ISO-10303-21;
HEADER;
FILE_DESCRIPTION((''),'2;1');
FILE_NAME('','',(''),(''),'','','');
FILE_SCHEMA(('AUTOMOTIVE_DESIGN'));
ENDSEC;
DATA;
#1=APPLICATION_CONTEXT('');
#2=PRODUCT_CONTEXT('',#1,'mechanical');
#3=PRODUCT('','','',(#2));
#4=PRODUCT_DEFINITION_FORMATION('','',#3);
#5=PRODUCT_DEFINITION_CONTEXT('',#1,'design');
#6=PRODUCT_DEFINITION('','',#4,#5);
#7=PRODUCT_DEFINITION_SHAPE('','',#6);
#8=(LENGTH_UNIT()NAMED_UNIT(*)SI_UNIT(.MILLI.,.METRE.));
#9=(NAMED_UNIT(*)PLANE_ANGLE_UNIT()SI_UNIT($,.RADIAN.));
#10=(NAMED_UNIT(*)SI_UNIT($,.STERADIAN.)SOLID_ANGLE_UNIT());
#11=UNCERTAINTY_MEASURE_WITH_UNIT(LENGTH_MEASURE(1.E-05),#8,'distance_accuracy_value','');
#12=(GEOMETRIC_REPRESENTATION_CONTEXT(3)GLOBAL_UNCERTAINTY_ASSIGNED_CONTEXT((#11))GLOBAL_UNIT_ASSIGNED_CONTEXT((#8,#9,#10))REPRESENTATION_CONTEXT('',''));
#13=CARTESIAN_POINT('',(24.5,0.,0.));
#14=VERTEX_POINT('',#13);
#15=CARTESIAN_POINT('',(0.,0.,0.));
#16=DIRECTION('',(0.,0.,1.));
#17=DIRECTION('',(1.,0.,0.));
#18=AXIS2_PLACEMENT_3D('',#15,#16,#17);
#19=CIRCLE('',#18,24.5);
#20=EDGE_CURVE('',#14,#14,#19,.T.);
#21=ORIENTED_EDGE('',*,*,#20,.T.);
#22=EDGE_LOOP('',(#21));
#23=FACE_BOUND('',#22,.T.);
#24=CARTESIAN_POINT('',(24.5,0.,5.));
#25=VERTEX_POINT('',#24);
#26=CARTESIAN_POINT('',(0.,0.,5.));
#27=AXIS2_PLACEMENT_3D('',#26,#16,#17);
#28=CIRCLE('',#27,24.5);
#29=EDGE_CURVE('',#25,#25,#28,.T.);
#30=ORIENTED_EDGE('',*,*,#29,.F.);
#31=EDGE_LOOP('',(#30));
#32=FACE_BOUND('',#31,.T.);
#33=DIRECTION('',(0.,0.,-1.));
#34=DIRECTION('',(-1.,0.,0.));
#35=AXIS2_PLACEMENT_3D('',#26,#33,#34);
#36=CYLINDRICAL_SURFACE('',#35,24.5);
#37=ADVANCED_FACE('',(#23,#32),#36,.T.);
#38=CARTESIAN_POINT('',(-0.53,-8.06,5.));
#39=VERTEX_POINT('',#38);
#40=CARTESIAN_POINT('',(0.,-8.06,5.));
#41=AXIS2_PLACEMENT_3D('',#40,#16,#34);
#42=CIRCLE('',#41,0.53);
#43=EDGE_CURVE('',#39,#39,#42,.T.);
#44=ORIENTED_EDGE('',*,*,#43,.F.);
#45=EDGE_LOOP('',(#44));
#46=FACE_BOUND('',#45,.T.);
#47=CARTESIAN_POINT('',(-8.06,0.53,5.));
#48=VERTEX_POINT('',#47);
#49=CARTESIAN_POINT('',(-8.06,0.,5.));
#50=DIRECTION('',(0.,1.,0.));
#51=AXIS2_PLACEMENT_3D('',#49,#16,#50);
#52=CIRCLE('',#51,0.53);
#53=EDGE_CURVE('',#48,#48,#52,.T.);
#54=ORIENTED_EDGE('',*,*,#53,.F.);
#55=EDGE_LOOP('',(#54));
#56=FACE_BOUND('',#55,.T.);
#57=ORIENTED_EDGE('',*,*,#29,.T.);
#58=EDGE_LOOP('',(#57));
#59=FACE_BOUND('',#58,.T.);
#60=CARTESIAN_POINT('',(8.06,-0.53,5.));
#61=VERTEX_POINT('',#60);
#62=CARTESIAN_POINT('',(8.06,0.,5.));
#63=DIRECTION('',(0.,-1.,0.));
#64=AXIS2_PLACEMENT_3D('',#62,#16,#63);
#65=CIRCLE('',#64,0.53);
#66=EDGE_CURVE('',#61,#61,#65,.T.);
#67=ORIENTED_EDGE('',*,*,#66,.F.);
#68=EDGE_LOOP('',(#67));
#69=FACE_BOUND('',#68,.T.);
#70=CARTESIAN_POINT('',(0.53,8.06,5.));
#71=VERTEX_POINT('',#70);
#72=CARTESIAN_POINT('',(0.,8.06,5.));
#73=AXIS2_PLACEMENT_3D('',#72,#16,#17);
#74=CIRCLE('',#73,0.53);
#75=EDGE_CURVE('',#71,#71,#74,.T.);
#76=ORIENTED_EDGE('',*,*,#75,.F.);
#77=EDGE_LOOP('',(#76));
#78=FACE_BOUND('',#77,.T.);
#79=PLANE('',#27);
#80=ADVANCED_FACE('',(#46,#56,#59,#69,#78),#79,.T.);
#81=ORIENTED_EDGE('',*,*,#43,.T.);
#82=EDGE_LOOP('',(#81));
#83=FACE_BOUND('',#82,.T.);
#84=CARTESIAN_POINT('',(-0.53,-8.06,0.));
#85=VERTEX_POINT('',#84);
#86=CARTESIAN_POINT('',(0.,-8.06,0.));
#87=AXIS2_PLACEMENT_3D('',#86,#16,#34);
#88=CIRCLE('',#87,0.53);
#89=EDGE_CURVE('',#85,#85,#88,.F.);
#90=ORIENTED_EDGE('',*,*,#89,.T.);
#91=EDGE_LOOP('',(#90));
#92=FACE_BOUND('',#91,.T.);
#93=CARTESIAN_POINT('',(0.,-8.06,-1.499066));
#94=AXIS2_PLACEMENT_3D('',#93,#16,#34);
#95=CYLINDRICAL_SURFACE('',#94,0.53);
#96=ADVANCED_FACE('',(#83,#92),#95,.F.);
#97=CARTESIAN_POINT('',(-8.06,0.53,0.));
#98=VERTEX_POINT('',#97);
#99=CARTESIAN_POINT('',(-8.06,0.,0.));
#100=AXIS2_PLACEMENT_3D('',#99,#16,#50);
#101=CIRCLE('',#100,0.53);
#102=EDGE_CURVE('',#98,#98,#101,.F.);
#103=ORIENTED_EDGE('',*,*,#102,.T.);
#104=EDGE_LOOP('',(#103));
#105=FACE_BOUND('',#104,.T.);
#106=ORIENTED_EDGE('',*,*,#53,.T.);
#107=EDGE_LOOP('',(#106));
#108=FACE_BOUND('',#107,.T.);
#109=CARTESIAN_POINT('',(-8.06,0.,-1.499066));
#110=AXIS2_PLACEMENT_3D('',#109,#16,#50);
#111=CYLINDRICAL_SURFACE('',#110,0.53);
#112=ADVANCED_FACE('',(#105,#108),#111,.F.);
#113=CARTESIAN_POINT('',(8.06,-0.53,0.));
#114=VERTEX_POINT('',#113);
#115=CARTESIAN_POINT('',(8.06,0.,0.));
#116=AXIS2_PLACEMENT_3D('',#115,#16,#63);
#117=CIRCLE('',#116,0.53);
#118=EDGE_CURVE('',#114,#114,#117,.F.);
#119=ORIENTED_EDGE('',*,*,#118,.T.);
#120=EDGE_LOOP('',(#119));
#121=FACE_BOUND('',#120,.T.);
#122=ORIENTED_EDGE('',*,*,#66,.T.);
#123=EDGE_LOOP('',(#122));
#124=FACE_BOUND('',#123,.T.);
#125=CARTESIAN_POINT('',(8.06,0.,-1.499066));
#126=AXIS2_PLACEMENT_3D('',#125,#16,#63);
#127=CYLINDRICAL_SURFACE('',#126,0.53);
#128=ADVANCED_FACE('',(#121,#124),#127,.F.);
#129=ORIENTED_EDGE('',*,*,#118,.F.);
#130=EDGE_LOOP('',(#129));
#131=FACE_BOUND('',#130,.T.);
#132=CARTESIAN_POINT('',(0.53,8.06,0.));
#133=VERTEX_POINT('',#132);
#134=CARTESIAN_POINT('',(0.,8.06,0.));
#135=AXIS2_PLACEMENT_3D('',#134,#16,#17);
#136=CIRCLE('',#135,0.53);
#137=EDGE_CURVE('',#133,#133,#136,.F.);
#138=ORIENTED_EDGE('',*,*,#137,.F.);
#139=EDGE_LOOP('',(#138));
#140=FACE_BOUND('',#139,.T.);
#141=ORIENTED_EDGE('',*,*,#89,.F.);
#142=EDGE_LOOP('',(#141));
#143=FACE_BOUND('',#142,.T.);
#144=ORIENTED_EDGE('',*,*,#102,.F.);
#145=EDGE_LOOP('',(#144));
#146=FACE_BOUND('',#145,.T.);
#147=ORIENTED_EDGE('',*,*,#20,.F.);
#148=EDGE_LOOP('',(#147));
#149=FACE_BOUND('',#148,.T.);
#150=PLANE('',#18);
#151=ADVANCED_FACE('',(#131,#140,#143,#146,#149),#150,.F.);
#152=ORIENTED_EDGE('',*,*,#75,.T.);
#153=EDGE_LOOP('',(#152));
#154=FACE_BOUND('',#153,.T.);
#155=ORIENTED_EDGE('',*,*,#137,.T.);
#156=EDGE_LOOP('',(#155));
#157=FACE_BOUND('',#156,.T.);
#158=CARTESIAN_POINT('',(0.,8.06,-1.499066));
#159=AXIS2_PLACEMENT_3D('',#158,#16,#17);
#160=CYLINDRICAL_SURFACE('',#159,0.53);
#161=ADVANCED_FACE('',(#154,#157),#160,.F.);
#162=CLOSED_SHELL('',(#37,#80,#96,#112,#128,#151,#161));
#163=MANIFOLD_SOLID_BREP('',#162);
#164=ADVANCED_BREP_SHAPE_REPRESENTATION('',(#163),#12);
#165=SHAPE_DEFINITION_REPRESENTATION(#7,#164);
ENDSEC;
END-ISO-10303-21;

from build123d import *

# Parameters (mm, degrees)
ESQUISSE1_R                  = 24.5
BOSS_EXTRU_1_DEPTH           = 5
ESQUISSE2_R                  = 0.53
ENL_V_MAT_EXTRU_1_DEPTH      = 5
R_P_TITION_CIRCULAIRE1_COUNT = 4


with BuildPart() as part:
    # Esquisse1 → Boss.-Extru.1 (new body)
    with BuildSketch(Plane.XY):
        Circle(ESQUISSE1_R)
    extrude(amount=BOSS_EXTRU_1_DEPTH)

    # Esquisse2 → Enlèv. mat.-Extru.1 (cut)
    with BuildSketch(Plane.XY.offset(5)):
        with Locations((0, 8.06)):
            Circle(ESQUISSE2_R)
    enl_v_mat_extru_1 = extrude(amount=-ENL_V_MAT_EXTRU_1_DEPTH, mode=Mode.SUBTRACT)

    # Répétition circulaire1: Enlèv. mat.-Extru.1 ×4 about axis
    r_p_tition_circulaire1_axis = Axis((0, 0, 0), (0, 0, 1))
    for i in range(1, R_P_TITION_CIRCULAIRE1_COUNT):
        add(enl_v_mat_extru_1.rotate(r_p_tition_circulaire1_axis, i * 360 / R_P_TITION_CIRCULAIRE1_COUNT), mode=Mode.SUBTRACT)


solid = part.part
